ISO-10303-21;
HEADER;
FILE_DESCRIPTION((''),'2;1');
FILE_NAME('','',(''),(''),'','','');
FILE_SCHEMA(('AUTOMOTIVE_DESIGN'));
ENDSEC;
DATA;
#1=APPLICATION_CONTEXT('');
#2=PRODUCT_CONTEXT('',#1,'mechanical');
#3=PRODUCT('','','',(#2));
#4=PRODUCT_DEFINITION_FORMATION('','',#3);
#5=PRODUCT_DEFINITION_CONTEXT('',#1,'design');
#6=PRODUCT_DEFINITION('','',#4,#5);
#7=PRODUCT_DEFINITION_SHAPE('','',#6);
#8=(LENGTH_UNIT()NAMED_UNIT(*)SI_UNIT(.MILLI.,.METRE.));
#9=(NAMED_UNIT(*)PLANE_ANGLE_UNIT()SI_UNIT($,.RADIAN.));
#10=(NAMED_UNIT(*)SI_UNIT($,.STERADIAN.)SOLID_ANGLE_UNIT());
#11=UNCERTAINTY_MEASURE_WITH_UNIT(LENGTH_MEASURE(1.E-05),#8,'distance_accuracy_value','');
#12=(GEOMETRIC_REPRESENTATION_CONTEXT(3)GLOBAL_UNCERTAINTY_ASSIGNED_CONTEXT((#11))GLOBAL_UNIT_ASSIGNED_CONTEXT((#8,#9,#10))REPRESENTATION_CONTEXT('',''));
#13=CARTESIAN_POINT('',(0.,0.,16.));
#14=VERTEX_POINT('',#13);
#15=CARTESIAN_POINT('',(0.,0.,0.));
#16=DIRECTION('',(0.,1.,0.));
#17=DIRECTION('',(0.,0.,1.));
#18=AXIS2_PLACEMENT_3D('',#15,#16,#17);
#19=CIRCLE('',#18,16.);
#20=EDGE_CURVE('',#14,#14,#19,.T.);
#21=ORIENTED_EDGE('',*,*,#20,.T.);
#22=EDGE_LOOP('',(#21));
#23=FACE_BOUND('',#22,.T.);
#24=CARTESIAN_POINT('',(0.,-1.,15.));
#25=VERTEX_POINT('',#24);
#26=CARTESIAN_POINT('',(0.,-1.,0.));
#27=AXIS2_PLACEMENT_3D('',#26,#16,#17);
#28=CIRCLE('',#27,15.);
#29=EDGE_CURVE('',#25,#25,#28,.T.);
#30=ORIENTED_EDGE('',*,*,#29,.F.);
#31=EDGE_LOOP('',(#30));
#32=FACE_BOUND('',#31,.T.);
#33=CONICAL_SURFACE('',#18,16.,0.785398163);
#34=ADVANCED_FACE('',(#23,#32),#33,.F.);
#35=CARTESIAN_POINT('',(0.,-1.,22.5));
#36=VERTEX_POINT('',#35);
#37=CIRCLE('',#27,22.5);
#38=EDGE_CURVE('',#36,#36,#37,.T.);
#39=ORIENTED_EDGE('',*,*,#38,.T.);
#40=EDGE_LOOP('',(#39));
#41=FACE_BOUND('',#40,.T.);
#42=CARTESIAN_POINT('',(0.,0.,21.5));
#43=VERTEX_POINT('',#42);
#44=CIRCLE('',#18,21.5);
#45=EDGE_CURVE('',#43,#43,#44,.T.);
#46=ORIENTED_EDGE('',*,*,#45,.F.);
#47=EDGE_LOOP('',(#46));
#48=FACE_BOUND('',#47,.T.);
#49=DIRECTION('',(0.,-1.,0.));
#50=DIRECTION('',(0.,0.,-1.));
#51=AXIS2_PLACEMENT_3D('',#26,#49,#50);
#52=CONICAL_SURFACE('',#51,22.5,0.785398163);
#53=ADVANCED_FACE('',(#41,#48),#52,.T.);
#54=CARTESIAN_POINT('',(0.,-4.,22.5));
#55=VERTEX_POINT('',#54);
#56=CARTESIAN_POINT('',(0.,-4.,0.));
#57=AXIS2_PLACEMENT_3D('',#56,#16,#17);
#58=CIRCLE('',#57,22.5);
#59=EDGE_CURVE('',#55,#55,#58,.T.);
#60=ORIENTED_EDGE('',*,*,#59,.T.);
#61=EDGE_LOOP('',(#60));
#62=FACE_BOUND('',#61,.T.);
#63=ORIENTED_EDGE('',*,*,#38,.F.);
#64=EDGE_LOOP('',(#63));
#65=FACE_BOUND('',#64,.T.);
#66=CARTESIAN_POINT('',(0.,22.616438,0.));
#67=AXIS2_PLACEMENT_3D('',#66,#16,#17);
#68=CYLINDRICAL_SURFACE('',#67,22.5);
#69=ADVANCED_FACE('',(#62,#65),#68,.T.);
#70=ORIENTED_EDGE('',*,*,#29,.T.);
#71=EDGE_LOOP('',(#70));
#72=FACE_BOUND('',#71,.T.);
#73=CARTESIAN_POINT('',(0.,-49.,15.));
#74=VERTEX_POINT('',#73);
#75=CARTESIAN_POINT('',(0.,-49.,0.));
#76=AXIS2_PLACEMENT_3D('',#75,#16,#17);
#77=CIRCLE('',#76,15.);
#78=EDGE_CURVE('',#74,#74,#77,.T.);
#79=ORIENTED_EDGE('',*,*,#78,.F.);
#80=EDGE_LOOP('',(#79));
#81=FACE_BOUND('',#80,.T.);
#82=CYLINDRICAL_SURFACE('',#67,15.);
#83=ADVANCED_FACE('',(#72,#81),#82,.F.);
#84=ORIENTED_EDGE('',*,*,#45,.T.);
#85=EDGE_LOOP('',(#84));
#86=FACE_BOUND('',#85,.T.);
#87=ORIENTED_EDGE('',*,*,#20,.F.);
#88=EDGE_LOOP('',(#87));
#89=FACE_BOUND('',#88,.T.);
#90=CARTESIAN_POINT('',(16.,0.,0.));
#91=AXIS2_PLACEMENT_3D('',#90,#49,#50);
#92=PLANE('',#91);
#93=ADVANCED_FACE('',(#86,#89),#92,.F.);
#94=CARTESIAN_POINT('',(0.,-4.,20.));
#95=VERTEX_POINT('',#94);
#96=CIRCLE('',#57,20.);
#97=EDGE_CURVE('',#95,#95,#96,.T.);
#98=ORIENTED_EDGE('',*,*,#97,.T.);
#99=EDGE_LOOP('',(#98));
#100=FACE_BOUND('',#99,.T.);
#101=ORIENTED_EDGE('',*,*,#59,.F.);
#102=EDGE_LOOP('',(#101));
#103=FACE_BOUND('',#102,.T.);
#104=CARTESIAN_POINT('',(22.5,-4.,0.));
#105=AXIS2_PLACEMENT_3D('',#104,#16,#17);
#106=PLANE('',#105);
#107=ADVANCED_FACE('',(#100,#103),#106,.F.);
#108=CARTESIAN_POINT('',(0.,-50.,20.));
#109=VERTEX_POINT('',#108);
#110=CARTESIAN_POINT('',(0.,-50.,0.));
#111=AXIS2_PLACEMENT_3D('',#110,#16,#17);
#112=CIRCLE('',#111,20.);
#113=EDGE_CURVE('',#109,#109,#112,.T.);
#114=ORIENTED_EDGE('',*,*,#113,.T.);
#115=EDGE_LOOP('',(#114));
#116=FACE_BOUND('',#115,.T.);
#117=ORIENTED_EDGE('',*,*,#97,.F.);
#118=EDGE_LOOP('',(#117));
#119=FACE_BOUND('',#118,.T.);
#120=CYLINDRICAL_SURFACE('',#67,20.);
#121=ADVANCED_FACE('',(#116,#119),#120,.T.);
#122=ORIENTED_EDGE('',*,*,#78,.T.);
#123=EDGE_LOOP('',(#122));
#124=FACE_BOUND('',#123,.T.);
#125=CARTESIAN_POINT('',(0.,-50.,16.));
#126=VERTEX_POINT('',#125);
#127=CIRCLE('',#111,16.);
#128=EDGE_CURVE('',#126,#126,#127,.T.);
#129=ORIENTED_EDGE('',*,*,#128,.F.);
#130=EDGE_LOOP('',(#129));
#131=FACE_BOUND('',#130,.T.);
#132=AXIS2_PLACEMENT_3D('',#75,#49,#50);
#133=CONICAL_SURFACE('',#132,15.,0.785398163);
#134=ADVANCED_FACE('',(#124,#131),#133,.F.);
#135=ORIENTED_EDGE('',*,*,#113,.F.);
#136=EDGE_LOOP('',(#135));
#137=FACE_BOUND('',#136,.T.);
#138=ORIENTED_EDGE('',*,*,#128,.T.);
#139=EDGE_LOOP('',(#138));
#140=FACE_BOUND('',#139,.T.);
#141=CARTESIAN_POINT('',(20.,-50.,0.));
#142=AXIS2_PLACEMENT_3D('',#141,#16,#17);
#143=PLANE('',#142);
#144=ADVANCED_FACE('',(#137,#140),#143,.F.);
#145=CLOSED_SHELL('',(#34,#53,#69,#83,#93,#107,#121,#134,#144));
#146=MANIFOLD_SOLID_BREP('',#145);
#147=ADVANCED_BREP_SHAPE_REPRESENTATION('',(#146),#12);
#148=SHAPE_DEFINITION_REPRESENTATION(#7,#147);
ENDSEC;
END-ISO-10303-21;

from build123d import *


with BuildPart() as part:
    # Esquisse1 → Révolution1 (revolve)
    with BuildSketch(Plane.XY):
        Polygon((16, 0), (21.5, 0), (22.5, -1), (22.5, -4), (20, -4), (20, -50), (16, -50), (15, -49), (15, -1), align=None)
    revolve(axis=Axis((0, 22.616438356, 0), (0, -1, 0)))


solid = part.part
